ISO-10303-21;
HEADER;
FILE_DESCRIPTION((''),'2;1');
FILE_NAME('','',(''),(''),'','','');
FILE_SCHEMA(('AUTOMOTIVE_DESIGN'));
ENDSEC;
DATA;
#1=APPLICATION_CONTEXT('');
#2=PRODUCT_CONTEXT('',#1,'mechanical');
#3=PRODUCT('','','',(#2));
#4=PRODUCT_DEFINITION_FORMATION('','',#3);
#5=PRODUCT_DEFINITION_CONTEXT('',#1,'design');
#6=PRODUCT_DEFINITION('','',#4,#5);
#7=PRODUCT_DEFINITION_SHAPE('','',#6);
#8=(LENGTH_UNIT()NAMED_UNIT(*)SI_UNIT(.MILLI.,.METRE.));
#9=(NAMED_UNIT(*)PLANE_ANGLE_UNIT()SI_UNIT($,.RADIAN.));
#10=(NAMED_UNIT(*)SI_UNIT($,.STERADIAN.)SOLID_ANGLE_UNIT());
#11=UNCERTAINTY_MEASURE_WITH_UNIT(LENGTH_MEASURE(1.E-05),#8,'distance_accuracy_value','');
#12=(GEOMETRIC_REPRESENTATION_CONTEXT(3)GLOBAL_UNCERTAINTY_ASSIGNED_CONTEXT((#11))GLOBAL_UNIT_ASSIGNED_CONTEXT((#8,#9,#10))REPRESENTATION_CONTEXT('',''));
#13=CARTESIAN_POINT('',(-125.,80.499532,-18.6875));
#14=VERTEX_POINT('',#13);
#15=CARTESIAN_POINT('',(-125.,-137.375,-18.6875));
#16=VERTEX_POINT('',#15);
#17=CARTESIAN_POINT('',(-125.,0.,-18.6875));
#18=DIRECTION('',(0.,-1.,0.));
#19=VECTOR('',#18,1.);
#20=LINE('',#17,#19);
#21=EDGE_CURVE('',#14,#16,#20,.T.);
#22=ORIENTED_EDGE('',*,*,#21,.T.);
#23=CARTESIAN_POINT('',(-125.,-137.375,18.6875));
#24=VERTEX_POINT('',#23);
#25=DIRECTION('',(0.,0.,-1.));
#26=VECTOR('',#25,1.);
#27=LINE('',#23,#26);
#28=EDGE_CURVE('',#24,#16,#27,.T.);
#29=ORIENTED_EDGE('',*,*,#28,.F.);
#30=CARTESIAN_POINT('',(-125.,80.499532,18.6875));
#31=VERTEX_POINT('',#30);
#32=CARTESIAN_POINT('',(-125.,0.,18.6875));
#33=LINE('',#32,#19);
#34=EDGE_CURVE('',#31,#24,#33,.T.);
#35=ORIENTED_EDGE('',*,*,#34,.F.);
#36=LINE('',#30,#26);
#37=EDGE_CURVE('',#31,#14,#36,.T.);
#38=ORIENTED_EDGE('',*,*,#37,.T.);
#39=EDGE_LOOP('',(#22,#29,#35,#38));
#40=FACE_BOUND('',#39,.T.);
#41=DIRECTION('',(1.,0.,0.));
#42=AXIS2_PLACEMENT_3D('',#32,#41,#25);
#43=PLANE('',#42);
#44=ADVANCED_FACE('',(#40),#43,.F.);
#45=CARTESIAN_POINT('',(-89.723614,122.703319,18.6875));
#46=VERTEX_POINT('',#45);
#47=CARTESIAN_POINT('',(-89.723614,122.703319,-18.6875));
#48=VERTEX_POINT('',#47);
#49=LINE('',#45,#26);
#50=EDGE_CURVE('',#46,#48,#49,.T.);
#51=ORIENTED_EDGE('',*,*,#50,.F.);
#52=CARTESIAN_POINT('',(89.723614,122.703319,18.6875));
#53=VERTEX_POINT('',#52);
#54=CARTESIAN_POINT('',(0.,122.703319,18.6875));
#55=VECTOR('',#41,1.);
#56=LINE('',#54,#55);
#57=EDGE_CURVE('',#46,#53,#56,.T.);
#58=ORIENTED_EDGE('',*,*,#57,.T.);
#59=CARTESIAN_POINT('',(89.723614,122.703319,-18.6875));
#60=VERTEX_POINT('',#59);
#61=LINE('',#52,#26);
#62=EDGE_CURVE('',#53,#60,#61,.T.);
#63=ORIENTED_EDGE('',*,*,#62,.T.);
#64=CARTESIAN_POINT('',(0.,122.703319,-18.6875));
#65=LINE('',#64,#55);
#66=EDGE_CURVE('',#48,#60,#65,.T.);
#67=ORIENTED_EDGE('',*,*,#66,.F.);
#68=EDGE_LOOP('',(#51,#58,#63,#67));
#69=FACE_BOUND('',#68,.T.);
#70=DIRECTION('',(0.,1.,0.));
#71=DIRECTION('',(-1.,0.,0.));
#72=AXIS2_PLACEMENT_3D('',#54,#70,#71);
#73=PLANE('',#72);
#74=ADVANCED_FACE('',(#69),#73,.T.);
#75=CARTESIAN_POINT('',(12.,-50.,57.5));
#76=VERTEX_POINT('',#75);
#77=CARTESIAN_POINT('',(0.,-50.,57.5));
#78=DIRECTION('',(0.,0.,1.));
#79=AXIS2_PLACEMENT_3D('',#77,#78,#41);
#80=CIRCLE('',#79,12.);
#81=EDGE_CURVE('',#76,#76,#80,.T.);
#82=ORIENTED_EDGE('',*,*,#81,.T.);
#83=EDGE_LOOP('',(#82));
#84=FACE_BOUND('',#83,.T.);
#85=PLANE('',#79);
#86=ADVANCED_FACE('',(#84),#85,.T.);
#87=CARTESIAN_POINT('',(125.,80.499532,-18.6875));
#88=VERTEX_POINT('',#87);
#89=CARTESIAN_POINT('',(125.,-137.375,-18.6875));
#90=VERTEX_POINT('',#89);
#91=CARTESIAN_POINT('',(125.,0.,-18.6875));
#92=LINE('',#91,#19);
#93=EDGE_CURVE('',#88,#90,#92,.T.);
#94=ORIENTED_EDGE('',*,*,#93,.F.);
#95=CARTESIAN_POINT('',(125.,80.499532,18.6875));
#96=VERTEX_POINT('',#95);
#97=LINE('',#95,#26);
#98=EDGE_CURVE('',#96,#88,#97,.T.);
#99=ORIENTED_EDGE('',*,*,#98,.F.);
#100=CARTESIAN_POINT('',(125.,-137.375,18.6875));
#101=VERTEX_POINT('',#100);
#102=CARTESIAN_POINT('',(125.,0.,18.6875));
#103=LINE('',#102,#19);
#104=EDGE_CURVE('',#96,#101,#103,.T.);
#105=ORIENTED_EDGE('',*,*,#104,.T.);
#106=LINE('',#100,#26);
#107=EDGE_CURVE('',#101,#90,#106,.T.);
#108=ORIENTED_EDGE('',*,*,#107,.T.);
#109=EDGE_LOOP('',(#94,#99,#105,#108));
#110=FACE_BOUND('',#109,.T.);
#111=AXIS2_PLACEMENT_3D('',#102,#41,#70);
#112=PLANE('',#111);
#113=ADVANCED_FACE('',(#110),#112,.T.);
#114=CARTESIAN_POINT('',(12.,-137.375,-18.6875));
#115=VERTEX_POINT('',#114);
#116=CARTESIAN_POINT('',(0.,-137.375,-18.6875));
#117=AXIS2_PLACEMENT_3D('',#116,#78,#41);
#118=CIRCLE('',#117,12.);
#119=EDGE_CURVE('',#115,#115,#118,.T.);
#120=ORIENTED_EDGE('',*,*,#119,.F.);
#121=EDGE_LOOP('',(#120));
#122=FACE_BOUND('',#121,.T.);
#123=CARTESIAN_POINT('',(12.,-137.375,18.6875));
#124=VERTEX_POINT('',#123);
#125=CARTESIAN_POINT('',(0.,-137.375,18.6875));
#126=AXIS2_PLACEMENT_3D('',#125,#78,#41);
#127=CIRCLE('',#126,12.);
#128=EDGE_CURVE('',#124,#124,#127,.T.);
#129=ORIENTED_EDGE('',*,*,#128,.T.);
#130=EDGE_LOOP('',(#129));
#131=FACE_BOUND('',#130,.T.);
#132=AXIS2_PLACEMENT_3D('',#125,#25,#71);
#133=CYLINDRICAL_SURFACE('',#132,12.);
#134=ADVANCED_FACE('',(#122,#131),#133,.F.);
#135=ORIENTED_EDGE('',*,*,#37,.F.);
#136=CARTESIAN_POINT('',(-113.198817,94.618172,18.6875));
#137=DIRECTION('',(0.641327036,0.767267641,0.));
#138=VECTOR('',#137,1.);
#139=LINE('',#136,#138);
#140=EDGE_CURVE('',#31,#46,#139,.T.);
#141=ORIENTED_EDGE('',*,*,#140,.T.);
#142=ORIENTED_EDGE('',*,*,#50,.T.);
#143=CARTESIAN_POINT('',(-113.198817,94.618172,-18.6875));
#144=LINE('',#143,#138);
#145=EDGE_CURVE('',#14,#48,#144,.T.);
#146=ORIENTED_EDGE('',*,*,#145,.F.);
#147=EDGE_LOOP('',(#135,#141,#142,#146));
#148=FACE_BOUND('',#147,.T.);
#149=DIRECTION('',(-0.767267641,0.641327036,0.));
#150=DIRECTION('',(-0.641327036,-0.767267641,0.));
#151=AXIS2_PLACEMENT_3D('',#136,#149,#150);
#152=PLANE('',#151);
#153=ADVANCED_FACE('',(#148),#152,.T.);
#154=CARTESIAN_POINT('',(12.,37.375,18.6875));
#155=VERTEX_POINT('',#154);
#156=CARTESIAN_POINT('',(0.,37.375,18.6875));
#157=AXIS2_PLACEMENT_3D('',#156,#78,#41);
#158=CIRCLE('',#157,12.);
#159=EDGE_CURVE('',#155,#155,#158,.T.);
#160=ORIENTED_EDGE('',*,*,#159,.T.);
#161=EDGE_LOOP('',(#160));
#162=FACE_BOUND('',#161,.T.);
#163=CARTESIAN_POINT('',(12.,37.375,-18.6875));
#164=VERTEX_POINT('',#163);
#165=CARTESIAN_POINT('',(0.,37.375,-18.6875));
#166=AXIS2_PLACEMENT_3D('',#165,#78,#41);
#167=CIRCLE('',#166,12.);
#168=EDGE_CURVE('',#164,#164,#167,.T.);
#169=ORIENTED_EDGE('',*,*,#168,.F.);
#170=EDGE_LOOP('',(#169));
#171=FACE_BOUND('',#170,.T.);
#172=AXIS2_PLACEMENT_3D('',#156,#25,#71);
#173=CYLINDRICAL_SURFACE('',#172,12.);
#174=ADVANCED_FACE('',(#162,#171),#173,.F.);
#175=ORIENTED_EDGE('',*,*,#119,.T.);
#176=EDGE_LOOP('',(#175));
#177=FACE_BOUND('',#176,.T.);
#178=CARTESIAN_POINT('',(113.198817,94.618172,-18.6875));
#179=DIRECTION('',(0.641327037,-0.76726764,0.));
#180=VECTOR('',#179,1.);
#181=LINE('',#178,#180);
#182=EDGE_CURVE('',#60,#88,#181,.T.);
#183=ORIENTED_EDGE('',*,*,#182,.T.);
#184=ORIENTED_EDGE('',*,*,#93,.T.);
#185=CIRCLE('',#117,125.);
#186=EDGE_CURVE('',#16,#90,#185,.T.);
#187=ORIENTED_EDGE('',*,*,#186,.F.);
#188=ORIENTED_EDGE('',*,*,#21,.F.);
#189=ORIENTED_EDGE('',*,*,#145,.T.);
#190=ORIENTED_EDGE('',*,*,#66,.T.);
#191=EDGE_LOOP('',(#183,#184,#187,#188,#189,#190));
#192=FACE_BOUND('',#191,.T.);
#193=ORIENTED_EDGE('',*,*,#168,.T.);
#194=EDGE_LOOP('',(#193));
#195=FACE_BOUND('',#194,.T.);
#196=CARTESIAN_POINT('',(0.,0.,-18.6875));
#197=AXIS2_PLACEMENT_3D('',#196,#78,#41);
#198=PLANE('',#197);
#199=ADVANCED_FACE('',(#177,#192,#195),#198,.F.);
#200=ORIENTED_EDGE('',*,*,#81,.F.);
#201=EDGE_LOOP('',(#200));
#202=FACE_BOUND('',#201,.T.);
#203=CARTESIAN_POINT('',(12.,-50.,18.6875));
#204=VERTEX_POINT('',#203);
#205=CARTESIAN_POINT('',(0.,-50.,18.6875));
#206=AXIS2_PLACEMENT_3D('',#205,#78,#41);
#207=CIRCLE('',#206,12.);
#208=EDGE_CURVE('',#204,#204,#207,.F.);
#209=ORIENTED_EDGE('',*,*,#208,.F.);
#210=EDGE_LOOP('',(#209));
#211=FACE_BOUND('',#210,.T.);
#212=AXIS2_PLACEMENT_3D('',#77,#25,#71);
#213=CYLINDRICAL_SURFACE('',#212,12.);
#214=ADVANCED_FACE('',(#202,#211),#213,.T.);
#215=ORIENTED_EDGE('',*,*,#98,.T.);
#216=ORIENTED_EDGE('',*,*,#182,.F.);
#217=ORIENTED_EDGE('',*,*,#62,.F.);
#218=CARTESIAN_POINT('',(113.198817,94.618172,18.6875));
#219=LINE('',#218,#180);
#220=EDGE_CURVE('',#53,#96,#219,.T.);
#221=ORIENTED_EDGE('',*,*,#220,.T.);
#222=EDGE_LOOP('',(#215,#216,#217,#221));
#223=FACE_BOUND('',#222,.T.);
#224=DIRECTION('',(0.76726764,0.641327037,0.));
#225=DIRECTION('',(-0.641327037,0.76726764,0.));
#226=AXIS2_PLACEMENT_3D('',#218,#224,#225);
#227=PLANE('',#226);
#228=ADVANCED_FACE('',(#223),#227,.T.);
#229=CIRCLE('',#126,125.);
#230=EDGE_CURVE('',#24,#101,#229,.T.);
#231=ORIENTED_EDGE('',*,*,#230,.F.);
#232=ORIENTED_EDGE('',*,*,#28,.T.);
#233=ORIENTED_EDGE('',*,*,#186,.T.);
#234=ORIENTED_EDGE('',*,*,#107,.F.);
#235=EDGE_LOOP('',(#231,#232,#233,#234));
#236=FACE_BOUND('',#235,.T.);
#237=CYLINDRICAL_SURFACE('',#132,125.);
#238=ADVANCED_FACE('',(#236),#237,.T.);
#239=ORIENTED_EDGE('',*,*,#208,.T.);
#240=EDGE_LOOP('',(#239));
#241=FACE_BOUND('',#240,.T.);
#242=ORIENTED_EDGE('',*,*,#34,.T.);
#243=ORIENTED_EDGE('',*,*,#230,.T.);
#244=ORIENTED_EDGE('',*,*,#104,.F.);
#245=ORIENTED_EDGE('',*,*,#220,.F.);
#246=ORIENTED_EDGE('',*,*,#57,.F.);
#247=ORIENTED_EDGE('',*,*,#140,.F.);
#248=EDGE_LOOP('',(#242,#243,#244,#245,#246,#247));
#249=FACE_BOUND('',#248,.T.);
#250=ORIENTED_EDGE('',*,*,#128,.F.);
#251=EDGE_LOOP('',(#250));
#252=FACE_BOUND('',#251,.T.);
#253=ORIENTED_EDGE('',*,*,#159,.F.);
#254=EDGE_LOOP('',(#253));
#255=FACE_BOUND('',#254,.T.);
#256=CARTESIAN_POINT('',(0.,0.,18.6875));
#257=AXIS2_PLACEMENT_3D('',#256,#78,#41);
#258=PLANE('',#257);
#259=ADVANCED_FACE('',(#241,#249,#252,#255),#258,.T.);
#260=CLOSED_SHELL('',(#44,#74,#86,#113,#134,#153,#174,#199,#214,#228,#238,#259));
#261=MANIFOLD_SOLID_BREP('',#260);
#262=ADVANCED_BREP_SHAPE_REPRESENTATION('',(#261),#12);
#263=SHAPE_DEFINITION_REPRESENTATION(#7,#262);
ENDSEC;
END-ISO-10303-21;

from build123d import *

# Parameters (mm, degrees)
SKETCH1_R           = 12
BOSS_EXTRUDE1_DEPTH = 18.6875
SKETCH1_4_R         = 12
BOSS_EXTRUDE2_DEPTH = 57.5


with BuildPart() as part:
    # Sketch1 → Boss-Extrude1 (new, symmetric)
    with BuildSketch(Plane.XY):
        with BuildLine():
            Line((125, -137.375), (125, 80.499531502))
            Line((125, 80.499531502), (89.723613553, 122.703318674))
            Line((89.723613553, 122.703318674), (-89.72361368, 122.703318674))
            Line((-89.72361368, 122.703318674), (-125, 80.499531502))
            Line((-125, 80.499531502), (-125, -137.375))
            ThreePointArc((-125, -137.375), (0, -262.375), (125, -137.375))
        make_face()
        with Locations((0, -137.375)):
            Circle(SKETCH1_R, mode=Mode.SUBTRACT)
        with Locations((0, 37.375)):
            Circle(SKETCH1_R, mode=Mode.SUBTRACT)
    extrude(amount=BOSS_EXTRUDE1_DEPTH, both=True)

    # Sketch1<4> → Boss-Extrude2 (add)
    with BuildSketch(Plane.XY):
        with Locations((0, -50)):
            Circle(SKETCH1_4_R)
    extrude(amount=BOSS_EXTRUDE2_DEPTH)


solid = part.part
